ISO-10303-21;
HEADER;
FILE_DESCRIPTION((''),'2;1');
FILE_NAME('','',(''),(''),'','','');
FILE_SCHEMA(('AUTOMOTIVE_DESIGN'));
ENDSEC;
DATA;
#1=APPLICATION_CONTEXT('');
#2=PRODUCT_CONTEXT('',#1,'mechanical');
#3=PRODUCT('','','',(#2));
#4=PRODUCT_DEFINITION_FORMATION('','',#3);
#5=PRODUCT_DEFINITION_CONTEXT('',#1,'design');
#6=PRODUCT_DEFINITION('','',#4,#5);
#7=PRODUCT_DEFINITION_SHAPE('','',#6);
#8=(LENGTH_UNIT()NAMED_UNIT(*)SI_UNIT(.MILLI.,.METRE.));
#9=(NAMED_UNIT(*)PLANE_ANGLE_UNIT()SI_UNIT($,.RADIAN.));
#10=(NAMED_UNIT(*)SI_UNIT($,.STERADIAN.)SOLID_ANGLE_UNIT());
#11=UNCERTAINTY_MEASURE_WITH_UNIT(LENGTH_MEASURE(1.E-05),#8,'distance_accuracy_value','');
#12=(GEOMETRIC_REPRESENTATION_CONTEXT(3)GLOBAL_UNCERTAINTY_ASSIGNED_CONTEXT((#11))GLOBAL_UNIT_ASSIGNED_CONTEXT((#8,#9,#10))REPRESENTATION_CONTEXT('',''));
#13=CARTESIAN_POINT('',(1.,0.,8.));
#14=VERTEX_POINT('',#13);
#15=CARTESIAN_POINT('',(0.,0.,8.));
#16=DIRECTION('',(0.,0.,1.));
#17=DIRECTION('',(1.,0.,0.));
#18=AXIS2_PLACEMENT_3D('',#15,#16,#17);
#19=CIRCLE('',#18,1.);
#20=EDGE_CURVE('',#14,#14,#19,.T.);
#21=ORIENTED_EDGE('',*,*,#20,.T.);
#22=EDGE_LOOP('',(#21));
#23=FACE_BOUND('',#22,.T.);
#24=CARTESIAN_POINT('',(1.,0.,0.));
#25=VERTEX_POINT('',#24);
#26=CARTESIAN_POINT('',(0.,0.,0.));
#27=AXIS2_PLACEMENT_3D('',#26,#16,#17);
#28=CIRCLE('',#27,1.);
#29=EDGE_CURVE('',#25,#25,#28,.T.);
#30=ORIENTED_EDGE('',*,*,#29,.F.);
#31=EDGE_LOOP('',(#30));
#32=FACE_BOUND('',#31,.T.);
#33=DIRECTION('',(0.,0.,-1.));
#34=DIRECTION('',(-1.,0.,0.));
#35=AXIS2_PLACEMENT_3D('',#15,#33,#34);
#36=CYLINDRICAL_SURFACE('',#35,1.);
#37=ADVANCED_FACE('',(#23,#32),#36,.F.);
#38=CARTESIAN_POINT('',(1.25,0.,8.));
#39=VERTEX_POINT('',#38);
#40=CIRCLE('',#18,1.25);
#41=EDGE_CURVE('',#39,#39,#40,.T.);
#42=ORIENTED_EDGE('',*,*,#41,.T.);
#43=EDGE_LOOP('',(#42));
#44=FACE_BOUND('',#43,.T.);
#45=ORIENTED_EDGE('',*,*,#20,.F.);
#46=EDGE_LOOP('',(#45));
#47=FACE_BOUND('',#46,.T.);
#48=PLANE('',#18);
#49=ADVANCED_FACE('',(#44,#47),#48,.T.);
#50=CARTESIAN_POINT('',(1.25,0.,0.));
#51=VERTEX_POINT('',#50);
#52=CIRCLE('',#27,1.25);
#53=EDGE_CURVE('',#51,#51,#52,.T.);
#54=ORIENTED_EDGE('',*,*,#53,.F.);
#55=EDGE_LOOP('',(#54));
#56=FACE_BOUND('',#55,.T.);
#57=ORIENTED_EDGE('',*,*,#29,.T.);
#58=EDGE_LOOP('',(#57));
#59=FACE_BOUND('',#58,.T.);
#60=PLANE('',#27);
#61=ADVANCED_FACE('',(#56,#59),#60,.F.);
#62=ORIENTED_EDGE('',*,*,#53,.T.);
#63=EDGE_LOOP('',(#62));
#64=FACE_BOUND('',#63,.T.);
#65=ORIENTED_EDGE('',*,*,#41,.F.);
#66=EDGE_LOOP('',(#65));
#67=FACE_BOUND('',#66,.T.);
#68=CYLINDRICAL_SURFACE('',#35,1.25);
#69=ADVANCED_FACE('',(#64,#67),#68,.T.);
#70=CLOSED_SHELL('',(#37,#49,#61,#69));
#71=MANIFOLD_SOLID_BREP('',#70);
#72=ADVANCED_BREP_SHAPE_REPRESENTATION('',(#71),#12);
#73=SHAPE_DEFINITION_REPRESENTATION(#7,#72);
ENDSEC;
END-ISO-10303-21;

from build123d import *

# Parameters (mm, degrees)
SKETCH1_R           = 1.25
SKETCH1_R_2         = 1
BOSS_EXTRUDE1_DEPTH = 8


with BuildPart() as part:
    # Sketch1 → Boss-Extrude1 (new body)
    with BuildSketch(Plane.XY):
        Circle(SKETCH1_R)
        Circle(SKETCH1_R_2, mode=Mode.SUBTRACT)
    extrude(amount=BOSS_EXTRUDE1_DEPTH)


solid = part.part
